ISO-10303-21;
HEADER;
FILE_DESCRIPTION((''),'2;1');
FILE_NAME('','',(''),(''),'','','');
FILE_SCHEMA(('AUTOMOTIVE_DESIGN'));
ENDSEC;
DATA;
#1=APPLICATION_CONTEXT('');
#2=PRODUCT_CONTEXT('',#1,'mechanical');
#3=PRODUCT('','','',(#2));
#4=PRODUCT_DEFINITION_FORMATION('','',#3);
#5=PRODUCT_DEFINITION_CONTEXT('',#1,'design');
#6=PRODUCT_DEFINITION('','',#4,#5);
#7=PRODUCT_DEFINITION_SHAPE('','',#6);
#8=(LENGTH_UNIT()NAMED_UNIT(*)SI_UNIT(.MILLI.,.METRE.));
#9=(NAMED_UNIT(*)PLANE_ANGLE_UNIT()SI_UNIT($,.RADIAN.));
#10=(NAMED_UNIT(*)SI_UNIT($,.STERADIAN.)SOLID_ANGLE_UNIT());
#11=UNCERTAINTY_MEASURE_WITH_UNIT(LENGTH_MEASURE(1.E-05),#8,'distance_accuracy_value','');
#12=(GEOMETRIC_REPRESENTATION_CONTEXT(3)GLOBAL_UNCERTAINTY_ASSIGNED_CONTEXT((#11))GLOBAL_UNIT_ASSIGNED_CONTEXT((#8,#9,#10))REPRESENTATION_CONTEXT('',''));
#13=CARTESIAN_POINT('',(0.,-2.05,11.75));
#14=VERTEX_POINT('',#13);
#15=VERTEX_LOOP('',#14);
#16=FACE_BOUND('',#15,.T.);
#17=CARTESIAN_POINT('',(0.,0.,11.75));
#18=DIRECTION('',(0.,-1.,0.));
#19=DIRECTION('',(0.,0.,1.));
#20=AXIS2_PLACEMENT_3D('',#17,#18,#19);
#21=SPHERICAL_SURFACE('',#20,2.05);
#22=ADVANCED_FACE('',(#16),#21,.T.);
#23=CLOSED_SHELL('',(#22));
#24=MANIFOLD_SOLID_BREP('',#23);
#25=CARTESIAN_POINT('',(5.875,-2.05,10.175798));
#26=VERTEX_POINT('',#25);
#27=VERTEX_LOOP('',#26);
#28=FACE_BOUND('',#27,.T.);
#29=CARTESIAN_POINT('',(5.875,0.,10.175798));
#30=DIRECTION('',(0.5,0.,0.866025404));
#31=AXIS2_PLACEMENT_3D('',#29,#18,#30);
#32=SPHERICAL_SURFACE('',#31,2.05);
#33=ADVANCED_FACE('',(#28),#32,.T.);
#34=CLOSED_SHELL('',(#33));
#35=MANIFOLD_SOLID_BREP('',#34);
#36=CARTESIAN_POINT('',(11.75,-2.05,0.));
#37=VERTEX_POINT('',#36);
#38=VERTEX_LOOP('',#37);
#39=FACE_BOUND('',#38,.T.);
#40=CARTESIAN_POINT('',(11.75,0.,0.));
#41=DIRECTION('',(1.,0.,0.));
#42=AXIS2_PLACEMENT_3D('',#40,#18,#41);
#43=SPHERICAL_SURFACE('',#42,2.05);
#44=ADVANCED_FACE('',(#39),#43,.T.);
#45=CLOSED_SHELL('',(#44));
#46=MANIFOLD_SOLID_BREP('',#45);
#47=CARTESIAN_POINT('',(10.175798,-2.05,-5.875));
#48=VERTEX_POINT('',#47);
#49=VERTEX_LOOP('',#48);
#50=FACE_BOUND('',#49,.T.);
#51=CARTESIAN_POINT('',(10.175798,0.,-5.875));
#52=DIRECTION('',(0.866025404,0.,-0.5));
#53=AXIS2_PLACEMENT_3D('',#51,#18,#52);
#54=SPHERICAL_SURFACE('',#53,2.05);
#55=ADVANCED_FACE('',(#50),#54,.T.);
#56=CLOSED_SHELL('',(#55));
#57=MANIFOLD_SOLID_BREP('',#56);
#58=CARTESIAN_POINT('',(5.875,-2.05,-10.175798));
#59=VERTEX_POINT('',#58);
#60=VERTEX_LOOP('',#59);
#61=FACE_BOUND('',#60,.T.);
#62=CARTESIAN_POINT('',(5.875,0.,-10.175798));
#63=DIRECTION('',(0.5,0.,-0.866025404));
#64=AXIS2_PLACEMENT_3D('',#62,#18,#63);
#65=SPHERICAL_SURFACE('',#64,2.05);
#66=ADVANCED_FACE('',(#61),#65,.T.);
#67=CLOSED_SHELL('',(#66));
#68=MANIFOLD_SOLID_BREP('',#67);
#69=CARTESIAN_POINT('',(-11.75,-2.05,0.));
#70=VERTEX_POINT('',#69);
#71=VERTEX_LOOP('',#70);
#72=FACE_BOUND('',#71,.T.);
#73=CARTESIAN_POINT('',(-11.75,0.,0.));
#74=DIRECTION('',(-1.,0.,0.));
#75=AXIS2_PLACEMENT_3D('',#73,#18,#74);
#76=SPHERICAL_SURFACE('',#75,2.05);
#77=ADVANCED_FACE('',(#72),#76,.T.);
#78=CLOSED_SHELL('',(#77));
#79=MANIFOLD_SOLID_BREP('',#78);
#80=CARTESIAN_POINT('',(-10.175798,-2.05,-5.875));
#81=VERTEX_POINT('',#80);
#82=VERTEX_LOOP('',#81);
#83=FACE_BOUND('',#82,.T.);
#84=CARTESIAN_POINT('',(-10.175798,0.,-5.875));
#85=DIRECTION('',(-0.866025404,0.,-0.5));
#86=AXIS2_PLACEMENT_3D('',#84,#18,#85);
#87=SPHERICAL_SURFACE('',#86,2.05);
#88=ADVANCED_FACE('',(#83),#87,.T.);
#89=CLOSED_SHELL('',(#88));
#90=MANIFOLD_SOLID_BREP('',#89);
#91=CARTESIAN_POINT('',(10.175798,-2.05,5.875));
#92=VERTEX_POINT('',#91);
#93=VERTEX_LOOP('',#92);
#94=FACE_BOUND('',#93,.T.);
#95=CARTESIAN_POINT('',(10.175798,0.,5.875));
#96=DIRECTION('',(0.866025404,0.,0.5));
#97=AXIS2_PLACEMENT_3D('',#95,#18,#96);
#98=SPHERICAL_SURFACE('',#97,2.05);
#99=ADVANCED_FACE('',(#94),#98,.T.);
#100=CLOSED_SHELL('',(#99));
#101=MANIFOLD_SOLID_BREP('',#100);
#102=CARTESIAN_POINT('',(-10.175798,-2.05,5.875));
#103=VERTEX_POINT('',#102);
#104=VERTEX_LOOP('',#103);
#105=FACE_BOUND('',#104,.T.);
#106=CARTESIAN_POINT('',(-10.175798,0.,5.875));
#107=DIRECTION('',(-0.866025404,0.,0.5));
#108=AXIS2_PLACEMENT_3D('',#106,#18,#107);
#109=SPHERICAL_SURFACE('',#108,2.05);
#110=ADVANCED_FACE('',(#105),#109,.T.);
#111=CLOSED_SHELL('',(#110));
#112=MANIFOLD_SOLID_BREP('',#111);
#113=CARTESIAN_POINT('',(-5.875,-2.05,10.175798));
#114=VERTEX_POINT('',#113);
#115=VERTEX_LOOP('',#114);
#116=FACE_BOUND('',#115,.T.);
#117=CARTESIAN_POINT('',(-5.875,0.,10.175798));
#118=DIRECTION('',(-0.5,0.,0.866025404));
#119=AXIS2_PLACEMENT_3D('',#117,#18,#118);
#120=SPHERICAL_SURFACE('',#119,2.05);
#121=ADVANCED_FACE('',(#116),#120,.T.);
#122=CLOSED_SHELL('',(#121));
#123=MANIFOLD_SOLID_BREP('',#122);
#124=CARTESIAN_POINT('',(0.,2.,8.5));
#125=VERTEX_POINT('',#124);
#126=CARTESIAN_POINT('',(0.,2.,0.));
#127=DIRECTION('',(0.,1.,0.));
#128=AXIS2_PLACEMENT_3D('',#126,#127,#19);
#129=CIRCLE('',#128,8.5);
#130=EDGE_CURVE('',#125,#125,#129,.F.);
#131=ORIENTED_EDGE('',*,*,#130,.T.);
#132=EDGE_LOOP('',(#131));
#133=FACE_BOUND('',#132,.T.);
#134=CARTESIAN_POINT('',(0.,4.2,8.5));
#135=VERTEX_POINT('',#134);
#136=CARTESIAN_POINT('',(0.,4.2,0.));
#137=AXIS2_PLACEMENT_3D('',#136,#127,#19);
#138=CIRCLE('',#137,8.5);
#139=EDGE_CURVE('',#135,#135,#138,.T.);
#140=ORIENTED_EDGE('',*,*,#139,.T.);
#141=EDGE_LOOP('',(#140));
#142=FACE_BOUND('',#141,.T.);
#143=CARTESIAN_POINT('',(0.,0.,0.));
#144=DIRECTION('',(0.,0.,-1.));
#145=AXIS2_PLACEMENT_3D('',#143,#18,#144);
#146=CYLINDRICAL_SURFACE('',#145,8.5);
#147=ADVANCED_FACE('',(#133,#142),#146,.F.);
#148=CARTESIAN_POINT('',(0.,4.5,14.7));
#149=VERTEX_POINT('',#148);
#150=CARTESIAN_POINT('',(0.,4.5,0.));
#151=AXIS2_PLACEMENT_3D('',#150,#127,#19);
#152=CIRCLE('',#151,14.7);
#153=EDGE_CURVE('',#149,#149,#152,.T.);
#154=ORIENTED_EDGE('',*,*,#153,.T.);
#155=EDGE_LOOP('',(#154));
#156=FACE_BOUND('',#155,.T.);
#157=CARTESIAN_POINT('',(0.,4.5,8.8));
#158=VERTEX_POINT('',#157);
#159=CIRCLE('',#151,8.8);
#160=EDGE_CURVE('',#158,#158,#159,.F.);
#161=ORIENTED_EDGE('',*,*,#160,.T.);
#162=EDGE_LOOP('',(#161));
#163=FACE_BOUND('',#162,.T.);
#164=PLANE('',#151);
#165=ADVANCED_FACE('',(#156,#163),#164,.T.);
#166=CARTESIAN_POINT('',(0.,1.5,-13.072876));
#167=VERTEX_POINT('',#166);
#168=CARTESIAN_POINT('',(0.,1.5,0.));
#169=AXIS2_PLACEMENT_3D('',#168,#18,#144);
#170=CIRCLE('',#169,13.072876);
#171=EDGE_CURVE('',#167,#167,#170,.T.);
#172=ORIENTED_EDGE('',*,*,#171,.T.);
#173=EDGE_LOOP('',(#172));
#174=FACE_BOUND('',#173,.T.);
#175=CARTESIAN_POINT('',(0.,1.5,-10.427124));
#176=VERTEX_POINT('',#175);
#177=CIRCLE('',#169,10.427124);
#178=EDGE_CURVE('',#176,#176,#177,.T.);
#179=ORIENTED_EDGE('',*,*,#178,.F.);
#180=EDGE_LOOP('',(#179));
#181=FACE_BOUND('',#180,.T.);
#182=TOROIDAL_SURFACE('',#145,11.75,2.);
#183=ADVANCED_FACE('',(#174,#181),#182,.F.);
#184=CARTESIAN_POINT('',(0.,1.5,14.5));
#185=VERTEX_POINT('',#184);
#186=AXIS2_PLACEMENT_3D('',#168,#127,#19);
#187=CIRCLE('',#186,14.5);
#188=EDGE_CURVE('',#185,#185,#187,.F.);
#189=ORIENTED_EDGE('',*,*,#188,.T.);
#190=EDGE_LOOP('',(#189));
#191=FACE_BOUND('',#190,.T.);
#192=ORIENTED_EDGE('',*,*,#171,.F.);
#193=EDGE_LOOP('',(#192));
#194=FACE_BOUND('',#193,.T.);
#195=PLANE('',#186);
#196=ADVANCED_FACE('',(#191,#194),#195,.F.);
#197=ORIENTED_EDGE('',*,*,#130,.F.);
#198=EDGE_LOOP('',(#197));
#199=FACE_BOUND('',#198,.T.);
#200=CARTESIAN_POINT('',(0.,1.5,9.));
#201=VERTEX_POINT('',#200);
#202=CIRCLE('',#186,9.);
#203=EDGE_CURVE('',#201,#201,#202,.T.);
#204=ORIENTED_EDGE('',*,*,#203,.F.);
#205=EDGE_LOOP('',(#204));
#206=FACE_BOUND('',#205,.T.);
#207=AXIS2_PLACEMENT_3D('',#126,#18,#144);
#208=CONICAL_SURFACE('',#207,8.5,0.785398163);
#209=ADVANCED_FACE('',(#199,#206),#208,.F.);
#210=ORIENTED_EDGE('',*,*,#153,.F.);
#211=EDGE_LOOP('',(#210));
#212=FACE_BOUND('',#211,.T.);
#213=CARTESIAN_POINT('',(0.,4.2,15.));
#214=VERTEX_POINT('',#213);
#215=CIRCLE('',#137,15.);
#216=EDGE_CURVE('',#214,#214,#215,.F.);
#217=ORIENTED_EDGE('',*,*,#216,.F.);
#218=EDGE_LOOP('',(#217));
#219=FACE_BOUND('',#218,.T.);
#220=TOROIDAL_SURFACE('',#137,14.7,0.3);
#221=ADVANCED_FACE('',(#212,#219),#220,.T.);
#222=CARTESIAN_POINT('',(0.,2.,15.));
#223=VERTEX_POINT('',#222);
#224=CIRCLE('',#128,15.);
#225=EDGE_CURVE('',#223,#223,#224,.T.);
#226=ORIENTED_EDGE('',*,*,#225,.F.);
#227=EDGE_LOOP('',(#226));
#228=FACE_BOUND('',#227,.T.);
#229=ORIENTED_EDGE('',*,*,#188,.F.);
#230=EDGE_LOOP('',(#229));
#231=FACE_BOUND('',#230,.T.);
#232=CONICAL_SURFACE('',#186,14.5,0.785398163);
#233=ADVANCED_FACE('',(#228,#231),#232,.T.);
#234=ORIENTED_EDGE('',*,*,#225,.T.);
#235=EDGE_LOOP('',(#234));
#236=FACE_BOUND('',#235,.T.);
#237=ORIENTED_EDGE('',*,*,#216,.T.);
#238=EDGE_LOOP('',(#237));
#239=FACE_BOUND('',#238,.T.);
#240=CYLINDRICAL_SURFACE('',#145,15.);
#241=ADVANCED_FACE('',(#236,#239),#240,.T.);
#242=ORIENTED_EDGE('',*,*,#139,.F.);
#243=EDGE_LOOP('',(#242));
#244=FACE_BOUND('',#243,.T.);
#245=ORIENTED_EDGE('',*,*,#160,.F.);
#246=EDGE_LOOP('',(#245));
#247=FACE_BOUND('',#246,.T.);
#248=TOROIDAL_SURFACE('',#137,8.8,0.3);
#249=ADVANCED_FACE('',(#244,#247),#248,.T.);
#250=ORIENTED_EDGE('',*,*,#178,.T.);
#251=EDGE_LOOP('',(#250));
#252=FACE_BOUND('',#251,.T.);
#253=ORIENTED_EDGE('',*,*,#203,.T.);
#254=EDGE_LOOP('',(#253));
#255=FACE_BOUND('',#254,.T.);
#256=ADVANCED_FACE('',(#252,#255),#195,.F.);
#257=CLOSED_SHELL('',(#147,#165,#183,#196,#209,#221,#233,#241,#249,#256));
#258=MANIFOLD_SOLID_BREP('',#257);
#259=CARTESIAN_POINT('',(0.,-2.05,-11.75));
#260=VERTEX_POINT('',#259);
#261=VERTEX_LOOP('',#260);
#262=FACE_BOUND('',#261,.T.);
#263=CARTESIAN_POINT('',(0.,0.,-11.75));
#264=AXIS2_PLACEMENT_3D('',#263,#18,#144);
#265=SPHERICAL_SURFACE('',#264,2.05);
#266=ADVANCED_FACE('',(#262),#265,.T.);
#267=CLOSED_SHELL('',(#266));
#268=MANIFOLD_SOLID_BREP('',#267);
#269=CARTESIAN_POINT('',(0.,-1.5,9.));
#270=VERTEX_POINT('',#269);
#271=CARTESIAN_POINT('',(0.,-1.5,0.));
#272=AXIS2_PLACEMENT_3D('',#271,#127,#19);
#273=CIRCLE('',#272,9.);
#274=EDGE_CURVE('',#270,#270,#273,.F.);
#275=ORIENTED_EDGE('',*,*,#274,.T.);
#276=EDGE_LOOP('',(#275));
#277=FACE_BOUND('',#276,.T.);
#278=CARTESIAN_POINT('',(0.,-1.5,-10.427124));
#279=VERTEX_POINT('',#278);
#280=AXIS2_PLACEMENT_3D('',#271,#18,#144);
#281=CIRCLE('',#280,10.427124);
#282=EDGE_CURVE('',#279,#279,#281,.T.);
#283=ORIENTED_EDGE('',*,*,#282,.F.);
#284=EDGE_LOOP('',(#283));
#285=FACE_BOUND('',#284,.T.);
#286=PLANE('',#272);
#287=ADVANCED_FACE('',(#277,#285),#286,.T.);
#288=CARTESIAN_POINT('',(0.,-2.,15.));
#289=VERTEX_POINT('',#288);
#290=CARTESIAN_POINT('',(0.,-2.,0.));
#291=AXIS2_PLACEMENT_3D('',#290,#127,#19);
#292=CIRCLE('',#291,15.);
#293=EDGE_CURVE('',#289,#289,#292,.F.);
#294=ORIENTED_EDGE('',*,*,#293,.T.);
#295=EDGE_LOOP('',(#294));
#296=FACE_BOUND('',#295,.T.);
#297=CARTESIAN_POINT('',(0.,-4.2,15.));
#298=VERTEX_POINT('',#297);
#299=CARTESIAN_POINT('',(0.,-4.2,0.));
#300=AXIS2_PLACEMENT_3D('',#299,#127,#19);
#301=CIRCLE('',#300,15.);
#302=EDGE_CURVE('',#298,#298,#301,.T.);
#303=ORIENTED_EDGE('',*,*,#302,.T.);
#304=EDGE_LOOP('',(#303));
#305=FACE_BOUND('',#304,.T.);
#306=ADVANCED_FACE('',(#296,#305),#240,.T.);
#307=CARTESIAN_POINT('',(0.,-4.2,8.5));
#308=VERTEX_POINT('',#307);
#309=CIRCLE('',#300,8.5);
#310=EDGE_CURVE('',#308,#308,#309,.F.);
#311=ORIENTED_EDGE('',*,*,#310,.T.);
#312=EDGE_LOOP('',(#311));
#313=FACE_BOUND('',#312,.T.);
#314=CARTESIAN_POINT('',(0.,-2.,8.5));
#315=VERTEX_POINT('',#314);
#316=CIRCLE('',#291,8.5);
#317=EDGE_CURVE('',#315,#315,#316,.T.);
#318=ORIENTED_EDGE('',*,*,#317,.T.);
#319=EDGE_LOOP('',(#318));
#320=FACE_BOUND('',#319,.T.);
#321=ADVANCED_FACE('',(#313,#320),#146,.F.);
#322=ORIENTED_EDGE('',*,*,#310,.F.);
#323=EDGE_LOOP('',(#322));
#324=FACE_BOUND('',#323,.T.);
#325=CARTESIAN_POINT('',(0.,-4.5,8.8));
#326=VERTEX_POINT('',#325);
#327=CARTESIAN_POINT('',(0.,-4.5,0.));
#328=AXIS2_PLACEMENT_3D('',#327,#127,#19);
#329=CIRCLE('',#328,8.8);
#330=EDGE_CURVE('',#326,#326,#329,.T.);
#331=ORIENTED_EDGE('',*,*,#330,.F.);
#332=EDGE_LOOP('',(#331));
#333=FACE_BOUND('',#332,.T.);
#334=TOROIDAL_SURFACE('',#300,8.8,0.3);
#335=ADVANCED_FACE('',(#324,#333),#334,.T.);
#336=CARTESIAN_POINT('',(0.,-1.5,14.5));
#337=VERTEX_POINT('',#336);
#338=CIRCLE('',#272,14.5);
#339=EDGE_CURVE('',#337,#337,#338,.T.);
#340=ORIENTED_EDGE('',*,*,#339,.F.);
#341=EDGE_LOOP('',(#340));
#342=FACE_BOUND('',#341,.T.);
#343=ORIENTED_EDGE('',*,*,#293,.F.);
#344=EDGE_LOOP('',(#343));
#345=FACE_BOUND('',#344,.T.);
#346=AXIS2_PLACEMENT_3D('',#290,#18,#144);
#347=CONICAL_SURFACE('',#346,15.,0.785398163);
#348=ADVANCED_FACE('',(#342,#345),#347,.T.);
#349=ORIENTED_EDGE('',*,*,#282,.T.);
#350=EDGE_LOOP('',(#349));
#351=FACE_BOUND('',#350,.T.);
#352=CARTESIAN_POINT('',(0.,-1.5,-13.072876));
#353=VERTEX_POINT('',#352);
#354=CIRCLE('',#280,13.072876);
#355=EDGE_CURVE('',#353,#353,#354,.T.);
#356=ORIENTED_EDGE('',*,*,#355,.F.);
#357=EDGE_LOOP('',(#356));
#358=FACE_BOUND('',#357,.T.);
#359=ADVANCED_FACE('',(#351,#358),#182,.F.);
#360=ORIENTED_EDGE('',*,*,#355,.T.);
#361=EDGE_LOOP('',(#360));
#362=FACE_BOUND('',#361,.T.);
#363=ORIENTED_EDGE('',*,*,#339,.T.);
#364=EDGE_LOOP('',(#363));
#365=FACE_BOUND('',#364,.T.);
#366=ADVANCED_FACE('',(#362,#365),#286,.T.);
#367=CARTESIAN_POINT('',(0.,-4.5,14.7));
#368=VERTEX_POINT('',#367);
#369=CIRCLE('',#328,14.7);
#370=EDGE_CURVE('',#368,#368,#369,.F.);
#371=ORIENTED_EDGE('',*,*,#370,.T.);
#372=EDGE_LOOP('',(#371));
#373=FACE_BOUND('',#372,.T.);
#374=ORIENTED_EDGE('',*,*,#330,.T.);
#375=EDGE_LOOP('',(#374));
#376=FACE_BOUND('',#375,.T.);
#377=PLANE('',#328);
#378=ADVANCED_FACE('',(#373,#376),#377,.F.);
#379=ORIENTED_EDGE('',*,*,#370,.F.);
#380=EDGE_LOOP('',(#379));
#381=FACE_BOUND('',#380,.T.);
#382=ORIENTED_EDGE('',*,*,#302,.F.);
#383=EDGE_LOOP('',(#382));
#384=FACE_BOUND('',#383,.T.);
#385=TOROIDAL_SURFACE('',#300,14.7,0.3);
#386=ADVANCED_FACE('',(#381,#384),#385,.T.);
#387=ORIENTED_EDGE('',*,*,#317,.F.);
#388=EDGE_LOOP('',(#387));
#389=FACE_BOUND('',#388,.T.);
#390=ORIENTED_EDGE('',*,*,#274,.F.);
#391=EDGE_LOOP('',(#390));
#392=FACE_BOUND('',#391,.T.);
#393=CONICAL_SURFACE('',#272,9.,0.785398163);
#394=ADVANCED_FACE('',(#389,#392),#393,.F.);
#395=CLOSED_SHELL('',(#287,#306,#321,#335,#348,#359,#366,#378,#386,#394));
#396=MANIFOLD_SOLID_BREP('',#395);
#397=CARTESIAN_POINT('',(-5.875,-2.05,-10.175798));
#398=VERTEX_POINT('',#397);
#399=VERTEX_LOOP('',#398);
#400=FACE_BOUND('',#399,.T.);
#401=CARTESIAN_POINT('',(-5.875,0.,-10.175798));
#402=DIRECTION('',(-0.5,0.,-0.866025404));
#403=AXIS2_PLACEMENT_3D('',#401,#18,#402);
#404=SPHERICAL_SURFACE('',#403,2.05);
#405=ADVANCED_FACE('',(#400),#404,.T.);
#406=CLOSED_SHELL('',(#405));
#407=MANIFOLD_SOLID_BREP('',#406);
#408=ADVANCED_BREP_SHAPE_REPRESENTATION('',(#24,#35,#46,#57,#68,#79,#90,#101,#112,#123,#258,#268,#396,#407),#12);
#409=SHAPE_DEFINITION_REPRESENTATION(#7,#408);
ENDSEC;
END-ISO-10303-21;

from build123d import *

# Parameters (mm, degrees)
FILLET1_R         = 0.3
FILLET2_R         = 0.3
CHAMFER1_SIZE     = 0.5
CHAMFER2_SIZE     = 0.5
CIRPATTERN1_COUNT = 12


with BuildPart() as part:
    # Sketch1 → Revolve1 (revolve)
    with BuildSketch(Plane(origin=(0, 0, 0), x_dir=(0, 0, -1), z_dir=(1, 0, 0))):
        with BuildLine():
            Line((-15, -1.5), (-15, -4.5))
            Line((-15, -4.5), (-8.5, -4.5))
            Line((-8.5, -4.5), (-8.5, -1.5))
            Line((-8.5, -1.5), (-10.427124344, -1.5))
            ThreePointArc((-10.427124344, -1.5), (-11.75, -2), (-13.072875656, -1.5))
            Line((-13.072875656, -1.5), (-15, -1.5))
        make_face()
        with BuildLine():
            Line((-15, 1.5), (-13.072875656, 1.5))
            ThreePointArc((-13.072875656, 1.5), (-11.75, 2), (-10.427124344, 1.5))
            Line((-10.427124344, 1.5), (-8.5, 1.5))
            Line((-8.5, 1.5), (-8.5, 4.5))
            Line((-8.5, 4.5), (-15, 4.5))
            Line((-15, 4.5), (-15, 1.5))
        make_face()
    revolve(axis=Axis((0, 0, 0), (0, 1, 0)))

    # Fillet1
    fillet1_edges = [part.edges().sort_by_distance(p)[0] for p in [
        (0, 4.5, -15),
        (0, 4.5, -8.5),
    ]]
    fillet(fillet1_edges, radius=FILLET1_R)

    # Fillet2
    fillet2_edges = [part.edges().sort_by_distance(p)[0] for p in [
        (0, -4.5, -8.5),
        (0, -4.5, -15),
    ]]
    fillet(fillet2_edges, radius=FILLET2_R)

    # Chamfer1
    chamfer1_edges = [part.edges().sort_by_distance(p)[0] for p in [
        (0, 1.5, -15),
        (0, 1.5, -8.5),
    ]]
    chamfer(chamfer1_edges, length=CHAMFER1_SIZE)

    # Chamfer2
    chamfer2_edges = [part.edges().sort_by_distance(p)[0] for p in [
        (0, -1.5, -8.5),
        (0, -1.5, -15),
    ]]
    chamfer(chamfer2_edges, length=CHAMFER2_SIZE)


with BuildPart() as body_2:
    # Sketch3 → Revolve12 (revolve)
    with BuildSketch(Plane(origin=(0, 0, 0), x_dir=(0, 0, -1), z_dir=(1, 0, 0))):
        with BuildLine():
            Line((-11.75, 2.05), (-11.75, -2.05))
            ThreePointArc((-11.75, -2.05), (-9.7, 0), (-11.75, 2.05))
        make_face()
    revolve(axis=Axis((0, 0, 11.75), (0, 1, 0)))


with BuildPart() as cirpattern1_1:
    # CirPattern1: pattern copy
    add(body_2.part.rotate(Axis((0, 0, 0), (0, 1, 0)), 1 * 360 / CIRPATTERN1_COUNT))


with BuildPart() as cirpattern1_2:
    # CirPattern1: pattern copy
    add(body_2.part.rotate(Axis((0, 0, 0), (0, 1, 0)), 2 * 360 / CIRPATTERN1_COUNT))


with BuildPart() as cirpattern1_3:
    # CirPattern1: pattern copy
    add(body_2.part.rotate(Axis((0, 0, 0), (0, 1, 0)), 3 * 360 / CIRPATTERN1_COUNT))


with BuildPart() as cirpattern1_4:
    # CirPattern1: pattern copy
    add(body_2.part.rotate(Axis((0, 0, 0), (0, 1, 0)), 4 * 360 / CIRPATTERN1_COUNT))


with BuildPart() as cirpattern1_5:
    # CirPattern1: pattern copy
    add(body_2.part.rotate(Axis((0, 0, 0), (0, 1, 0)), 5 * 360 / CIRPATTERN1_COUNT))


with BuildPart() as cirpattern1_6:
    # CirPattern1: pattern copy
    add(body_2.part.rotate(Axis((0, 0, 0), (0, 1, 0)), 6 * 360 / CIRPATTERN1_COUNT))


with BuildPart() as cirpattern1_7:
    # CirPattern1: pattern copy
    add(body_2.part.rotate(Axis((0, 0, 0), (0, 1, 0)), 7 * 360 / CIRPATTERN1_COUNT))


with BuildPart() as cirpattern1_8:
    # CirPattern1: pattern copy
    add(body_2.part.rotate(Axis((0, 0, 0), (0, 1, 0)), 8 * 360 / CIRPATTERN1_COUNT))


with BuildPart() as cirpattern1_9:
    # CirPattern1: pattern copy
    add(body_2.part.rotate(Axis((0, 0, 0), (0, 1, 0)), 9 * 360 / CIRPATTERN1_COUNT))


with BuildPart() as cirpattern1_10:
    # CirPattern1: pattern copy
    add(body_2.part.rotate(Axis((0, 0, 0), (0, 1, 0)), 10 * 360 / CIRPATTERN1_COUNT))


with BuildPart() as cirpattern1_11:
    # CirPattern1: pattern copy
    add(body_2.part.rotate(Axis((0, 0, 0), (0, 1, 0)), 11 * 360 / CIRPATTERN1_COUNT))


solid = Compound([part.part, body_2.part, cirpattern1_1.part, cirpattern1_2.part, cirpattern1_3.part, cirpattern1_4.part, cirpattern1_5.part, cirpattern1_6.part, cirpattern1_7.part, cirpattern1_8.part, cirpattern1_9.part, cirpattern1_10.part, cirpattern1_11.part])
